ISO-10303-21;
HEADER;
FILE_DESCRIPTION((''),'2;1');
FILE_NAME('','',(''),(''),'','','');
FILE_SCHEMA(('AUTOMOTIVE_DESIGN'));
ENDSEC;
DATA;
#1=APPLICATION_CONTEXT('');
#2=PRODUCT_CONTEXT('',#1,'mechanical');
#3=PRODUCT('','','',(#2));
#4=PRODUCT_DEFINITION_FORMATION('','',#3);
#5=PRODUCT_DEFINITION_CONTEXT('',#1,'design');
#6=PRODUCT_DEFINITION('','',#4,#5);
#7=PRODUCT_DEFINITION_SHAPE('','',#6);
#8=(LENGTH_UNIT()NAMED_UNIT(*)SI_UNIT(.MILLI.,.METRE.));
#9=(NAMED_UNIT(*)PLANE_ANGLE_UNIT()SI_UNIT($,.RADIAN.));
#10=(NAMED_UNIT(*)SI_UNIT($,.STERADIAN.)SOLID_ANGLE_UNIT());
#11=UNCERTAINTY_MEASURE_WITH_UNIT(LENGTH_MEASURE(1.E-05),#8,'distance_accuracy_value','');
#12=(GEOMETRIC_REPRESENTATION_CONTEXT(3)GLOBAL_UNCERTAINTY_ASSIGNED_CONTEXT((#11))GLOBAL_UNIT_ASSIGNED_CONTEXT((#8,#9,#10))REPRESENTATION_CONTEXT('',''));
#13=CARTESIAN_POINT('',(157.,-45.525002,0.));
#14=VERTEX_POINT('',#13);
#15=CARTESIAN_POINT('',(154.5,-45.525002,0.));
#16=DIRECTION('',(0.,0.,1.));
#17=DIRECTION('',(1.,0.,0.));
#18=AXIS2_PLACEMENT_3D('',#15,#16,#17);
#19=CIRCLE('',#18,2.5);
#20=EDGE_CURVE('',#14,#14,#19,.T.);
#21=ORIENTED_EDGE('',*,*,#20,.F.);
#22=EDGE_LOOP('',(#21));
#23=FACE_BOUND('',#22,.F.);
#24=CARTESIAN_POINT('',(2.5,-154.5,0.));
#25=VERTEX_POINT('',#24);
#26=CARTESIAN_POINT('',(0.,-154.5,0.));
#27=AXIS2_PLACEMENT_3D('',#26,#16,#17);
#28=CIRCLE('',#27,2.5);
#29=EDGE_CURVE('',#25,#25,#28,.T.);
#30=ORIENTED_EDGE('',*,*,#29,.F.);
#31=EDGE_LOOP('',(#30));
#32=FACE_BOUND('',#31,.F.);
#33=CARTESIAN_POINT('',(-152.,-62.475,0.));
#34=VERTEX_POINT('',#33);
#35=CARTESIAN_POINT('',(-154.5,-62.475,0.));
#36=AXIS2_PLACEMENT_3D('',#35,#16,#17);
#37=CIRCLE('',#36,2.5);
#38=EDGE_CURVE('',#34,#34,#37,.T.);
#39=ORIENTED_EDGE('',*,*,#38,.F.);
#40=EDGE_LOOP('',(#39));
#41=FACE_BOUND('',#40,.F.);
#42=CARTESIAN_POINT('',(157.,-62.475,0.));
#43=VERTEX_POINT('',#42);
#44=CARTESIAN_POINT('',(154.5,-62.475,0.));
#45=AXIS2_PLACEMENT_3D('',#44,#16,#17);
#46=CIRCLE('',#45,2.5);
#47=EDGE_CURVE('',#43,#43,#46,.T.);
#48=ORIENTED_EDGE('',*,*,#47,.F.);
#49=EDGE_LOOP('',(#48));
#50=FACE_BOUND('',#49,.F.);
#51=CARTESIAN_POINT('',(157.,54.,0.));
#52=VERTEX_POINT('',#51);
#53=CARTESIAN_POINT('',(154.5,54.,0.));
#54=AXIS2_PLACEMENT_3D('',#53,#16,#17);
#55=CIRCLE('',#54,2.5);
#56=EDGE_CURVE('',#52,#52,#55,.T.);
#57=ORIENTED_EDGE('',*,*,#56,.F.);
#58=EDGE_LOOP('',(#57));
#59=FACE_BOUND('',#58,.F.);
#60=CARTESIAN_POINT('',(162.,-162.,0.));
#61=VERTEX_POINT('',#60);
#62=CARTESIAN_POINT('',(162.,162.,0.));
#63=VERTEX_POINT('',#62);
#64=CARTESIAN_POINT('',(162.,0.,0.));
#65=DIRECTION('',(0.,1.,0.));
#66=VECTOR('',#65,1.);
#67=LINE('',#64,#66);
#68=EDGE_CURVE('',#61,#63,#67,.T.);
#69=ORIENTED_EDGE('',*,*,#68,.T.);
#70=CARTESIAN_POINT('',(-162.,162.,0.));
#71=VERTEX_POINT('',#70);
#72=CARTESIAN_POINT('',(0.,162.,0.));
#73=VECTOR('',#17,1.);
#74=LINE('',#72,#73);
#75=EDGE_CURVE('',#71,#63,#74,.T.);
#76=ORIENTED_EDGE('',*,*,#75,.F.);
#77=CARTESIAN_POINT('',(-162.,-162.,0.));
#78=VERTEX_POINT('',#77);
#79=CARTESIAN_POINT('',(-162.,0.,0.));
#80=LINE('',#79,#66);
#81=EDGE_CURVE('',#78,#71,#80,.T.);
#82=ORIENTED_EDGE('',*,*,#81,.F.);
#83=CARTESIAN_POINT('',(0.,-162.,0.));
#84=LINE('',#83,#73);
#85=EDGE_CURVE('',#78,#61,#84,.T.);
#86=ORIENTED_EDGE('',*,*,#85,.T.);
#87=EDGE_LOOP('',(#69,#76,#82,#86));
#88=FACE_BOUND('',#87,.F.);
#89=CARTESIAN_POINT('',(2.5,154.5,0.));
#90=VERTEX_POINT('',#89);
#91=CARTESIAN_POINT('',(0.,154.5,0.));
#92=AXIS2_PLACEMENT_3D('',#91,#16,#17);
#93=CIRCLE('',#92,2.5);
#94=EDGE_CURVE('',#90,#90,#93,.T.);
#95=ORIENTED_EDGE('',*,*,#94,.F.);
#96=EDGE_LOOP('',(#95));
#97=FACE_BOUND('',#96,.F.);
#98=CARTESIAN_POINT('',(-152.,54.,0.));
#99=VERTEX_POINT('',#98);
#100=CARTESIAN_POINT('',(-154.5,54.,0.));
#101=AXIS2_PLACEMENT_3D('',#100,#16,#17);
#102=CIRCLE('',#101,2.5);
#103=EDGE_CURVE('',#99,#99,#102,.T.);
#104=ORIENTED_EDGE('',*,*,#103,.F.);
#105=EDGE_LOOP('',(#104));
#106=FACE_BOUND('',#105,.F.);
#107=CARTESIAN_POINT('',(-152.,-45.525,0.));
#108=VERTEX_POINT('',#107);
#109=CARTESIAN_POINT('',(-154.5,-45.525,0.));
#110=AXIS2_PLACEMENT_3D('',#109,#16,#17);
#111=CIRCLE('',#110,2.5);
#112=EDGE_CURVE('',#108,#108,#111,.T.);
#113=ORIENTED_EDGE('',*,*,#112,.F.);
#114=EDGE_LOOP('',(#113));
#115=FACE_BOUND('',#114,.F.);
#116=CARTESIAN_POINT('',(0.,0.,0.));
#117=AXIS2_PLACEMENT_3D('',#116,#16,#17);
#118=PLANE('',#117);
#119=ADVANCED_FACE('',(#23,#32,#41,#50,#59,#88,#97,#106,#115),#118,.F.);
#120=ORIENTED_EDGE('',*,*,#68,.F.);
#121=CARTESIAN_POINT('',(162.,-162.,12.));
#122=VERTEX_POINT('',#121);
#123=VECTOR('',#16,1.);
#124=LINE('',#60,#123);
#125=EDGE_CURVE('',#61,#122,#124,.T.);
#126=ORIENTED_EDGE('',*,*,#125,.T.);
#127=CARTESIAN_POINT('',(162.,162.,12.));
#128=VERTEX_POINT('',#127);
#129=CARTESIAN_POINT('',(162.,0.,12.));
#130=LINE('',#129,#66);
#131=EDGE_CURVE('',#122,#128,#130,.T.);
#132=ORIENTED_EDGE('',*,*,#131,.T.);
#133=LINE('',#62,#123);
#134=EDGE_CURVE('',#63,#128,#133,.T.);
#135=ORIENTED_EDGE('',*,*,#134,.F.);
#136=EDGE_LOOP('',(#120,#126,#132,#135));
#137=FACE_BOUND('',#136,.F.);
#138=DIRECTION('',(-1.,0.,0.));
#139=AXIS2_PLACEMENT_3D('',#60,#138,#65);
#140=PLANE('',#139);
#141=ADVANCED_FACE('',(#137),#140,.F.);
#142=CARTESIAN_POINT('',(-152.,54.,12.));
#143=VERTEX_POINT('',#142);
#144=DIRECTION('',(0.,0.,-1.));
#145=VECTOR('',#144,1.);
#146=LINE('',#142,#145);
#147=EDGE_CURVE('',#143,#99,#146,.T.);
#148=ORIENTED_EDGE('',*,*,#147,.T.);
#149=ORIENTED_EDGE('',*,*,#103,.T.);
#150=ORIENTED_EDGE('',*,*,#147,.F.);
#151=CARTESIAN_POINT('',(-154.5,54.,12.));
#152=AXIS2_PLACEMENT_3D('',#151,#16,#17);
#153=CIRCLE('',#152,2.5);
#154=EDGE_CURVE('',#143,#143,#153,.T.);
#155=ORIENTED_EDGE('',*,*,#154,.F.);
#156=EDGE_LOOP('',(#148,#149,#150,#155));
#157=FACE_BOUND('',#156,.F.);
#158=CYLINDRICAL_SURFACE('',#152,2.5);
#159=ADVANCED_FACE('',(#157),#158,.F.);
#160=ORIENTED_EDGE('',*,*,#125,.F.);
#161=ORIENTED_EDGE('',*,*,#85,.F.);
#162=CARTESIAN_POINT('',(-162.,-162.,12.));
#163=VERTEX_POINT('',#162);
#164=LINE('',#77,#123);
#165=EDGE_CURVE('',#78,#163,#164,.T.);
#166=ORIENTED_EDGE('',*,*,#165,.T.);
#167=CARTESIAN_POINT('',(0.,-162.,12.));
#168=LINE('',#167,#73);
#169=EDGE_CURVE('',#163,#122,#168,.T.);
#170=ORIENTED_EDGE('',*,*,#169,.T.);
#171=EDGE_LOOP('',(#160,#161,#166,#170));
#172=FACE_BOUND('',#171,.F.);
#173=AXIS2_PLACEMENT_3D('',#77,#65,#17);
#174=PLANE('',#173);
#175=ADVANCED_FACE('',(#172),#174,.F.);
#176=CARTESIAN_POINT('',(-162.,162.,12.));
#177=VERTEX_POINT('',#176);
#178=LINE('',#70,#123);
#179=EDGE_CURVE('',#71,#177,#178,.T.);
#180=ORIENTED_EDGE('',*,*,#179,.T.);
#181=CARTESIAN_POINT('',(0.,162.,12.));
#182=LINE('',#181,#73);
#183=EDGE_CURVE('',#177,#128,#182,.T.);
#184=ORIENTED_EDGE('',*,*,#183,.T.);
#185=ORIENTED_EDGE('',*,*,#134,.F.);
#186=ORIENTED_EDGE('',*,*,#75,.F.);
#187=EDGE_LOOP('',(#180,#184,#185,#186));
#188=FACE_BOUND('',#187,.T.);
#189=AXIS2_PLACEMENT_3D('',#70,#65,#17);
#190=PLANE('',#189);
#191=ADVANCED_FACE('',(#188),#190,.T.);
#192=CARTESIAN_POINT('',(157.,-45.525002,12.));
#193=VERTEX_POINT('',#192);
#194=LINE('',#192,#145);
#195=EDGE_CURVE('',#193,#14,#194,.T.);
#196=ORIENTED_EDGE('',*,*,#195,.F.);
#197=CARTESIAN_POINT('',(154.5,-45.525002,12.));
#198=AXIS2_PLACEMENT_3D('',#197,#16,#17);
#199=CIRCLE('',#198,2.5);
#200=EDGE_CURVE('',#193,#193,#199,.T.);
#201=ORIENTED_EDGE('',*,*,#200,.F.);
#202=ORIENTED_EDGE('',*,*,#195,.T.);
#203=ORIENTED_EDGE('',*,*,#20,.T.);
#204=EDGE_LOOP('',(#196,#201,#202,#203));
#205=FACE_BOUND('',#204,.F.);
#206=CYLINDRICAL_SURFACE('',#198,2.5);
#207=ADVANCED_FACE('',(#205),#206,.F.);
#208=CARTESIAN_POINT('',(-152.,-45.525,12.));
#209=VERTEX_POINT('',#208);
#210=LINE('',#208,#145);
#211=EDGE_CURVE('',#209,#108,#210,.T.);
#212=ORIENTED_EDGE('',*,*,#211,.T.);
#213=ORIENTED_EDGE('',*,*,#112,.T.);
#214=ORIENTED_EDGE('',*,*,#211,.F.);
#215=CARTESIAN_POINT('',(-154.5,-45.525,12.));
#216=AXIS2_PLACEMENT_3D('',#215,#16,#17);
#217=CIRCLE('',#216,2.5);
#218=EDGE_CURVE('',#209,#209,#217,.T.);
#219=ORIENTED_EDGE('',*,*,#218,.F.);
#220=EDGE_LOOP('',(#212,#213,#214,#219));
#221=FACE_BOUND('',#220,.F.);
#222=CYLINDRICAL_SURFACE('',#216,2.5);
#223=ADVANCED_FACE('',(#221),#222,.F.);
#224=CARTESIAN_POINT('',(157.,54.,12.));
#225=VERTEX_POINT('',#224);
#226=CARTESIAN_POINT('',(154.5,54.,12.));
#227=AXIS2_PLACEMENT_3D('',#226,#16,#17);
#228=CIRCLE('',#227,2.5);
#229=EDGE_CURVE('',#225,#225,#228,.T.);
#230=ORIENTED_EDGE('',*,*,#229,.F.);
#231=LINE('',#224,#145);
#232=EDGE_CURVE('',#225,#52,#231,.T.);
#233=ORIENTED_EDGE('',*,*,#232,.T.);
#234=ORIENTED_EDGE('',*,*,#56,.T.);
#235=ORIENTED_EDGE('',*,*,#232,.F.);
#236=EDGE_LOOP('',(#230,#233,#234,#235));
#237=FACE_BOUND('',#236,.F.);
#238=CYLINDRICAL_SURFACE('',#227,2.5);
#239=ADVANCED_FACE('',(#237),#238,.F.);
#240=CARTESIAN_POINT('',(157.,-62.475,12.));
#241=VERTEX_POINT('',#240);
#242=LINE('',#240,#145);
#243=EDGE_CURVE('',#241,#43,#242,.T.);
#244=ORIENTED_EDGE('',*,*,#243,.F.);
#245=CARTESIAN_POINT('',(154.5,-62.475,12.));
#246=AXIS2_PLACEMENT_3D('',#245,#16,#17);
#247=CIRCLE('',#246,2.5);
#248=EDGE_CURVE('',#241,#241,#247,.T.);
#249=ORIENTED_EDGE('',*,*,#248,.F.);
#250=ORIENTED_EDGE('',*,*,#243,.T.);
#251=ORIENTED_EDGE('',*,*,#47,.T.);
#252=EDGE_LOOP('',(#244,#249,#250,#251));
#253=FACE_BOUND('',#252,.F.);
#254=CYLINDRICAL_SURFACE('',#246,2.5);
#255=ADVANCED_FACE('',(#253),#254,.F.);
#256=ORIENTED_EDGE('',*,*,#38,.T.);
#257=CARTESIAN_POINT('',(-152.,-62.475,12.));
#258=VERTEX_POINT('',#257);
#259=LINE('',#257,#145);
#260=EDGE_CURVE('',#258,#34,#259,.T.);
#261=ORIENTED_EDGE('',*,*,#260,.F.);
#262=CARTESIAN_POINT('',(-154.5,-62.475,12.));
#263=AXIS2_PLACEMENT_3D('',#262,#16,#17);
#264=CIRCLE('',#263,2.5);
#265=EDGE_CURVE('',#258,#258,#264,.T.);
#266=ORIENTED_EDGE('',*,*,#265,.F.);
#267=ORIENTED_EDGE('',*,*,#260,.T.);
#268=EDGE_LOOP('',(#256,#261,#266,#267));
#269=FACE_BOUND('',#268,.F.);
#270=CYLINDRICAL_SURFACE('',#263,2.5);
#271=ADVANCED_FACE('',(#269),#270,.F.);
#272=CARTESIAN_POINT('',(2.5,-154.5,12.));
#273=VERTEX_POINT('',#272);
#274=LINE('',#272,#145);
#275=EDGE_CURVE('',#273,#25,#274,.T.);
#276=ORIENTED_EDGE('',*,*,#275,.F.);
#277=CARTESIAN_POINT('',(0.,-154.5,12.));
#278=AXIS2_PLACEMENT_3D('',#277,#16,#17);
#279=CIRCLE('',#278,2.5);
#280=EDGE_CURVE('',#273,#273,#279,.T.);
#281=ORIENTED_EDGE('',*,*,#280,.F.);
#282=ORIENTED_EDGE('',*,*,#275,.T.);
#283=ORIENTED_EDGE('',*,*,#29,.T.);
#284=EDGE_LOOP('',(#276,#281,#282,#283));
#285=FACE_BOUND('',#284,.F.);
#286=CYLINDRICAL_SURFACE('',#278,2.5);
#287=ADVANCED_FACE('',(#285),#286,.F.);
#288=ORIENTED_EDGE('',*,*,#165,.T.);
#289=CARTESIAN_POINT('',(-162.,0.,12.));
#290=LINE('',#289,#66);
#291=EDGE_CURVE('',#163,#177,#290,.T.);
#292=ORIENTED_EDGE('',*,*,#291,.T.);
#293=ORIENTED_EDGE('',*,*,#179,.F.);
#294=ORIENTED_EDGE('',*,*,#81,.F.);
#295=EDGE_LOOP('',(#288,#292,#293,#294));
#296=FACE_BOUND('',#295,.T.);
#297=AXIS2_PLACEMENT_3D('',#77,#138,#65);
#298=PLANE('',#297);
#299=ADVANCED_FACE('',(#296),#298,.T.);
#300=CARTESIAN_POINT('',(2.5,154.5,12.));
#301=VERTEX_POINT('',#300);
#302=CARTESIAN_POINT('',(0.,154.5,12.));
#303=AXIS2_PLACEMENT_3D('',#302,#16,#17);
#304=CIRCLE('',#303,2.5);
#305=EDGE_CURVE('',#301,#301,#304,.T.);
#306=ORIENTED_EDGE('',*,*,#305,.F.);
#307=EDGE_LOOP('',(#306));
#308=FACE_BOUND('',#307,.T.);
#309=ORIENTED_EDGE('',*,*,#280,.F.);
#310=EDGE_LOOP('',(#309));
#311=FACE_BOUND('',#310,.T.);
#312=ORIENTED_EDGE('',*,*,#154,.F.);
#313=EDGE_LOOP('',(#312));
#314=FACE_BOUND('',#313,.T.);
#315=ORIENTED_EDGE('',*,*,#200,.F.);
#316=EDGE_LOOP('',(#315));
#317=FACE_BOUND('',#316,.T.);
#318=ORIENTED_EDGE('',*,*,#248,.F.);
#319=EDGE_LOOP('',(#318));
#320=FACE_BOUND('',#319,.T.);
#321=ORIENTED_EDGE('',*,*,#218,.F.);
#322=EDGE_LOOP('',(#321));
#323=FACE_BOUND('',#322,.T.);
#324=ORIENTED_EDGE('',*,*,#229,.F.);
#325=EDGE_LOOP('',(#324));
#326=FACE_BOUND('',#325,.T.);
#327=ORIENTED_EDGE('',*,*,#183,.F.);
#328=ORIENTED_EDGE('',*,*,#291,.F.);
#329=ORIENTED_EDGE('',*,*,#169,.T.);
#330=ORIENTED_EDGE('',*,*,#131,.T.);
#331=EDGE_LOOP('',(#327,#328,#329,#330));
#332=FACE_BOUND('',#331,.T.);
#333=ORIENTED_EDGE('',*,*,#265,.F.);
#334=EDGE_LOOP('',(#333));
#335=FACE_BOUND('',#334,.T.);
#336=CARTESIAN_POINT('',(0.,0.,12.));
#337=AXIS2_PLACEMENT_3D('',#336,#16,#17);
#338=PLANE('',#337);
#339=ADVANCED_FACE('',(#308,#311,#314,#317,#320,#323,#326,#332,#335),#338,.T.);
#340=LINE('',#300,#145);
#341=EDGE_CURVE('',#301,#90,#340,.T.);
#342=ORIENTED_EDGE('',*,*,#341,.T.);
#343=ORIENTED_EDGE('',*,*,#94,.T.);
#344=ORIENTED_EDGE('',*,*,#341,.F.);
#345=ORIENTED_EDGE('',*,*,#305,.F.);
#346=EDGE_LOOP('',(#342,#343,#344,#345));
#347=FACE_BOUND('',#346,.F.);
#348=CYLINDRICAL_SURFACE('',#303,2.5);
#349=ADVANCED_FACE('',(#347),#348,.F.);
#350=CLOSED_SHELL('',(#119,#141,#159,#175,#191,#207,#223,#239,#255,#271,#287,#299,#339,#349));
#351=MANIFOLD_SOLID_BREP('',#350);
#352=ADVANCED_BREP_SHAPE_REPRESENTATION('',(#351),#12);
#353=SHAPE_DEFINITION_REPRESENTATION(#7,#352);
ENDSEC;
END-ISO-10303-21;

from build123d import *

# Parameters (mm, degrees)
SKETCH_W     = 324
SKETCH_H     = 324
PAD_DEPTH    = 12
SKETCH001_R  = 2.5
POCKET_DEPTH = 12.001


with BuildPart() as part:
    # Sketch → Pad (new body)
    with BuildSketch(Plane.XY):
        Rectangle(SKETCH_W, SKETCH_H)
    extrude(amount=PAD_DEPTH)

    # Sketch001 → Pocket (cut, through all)
    with BuildSketch(Plane.XY.offset(12)):
        with Locations((0, 154.5)):
            Circle(SKETCH001_R)
        with Locations((0, -154.5)):
            Circle(SKETCH001_R)
        with Locations((-154.5, 54)):
            Circle(SKETCH001_R)
        with Locations((154.5, 54)):
            Circle(SKETCH001_R)
        with Locations((154.5, -45.525002)):
            Circle(SKETCH001_R)
        with Locations((154.5, -62.475)):
            Circle(SKETCH001_R)
        with Locations((-154.5, -62.475)):
            Circle(SKETCH001_R)
        with Locations((-154.5, -45.525)):
            Circle(SKETCH001_R)
    extrude(amount=-POCKET_DEPTH, mode=Mode.SUBTRACT)


solid = part.part
